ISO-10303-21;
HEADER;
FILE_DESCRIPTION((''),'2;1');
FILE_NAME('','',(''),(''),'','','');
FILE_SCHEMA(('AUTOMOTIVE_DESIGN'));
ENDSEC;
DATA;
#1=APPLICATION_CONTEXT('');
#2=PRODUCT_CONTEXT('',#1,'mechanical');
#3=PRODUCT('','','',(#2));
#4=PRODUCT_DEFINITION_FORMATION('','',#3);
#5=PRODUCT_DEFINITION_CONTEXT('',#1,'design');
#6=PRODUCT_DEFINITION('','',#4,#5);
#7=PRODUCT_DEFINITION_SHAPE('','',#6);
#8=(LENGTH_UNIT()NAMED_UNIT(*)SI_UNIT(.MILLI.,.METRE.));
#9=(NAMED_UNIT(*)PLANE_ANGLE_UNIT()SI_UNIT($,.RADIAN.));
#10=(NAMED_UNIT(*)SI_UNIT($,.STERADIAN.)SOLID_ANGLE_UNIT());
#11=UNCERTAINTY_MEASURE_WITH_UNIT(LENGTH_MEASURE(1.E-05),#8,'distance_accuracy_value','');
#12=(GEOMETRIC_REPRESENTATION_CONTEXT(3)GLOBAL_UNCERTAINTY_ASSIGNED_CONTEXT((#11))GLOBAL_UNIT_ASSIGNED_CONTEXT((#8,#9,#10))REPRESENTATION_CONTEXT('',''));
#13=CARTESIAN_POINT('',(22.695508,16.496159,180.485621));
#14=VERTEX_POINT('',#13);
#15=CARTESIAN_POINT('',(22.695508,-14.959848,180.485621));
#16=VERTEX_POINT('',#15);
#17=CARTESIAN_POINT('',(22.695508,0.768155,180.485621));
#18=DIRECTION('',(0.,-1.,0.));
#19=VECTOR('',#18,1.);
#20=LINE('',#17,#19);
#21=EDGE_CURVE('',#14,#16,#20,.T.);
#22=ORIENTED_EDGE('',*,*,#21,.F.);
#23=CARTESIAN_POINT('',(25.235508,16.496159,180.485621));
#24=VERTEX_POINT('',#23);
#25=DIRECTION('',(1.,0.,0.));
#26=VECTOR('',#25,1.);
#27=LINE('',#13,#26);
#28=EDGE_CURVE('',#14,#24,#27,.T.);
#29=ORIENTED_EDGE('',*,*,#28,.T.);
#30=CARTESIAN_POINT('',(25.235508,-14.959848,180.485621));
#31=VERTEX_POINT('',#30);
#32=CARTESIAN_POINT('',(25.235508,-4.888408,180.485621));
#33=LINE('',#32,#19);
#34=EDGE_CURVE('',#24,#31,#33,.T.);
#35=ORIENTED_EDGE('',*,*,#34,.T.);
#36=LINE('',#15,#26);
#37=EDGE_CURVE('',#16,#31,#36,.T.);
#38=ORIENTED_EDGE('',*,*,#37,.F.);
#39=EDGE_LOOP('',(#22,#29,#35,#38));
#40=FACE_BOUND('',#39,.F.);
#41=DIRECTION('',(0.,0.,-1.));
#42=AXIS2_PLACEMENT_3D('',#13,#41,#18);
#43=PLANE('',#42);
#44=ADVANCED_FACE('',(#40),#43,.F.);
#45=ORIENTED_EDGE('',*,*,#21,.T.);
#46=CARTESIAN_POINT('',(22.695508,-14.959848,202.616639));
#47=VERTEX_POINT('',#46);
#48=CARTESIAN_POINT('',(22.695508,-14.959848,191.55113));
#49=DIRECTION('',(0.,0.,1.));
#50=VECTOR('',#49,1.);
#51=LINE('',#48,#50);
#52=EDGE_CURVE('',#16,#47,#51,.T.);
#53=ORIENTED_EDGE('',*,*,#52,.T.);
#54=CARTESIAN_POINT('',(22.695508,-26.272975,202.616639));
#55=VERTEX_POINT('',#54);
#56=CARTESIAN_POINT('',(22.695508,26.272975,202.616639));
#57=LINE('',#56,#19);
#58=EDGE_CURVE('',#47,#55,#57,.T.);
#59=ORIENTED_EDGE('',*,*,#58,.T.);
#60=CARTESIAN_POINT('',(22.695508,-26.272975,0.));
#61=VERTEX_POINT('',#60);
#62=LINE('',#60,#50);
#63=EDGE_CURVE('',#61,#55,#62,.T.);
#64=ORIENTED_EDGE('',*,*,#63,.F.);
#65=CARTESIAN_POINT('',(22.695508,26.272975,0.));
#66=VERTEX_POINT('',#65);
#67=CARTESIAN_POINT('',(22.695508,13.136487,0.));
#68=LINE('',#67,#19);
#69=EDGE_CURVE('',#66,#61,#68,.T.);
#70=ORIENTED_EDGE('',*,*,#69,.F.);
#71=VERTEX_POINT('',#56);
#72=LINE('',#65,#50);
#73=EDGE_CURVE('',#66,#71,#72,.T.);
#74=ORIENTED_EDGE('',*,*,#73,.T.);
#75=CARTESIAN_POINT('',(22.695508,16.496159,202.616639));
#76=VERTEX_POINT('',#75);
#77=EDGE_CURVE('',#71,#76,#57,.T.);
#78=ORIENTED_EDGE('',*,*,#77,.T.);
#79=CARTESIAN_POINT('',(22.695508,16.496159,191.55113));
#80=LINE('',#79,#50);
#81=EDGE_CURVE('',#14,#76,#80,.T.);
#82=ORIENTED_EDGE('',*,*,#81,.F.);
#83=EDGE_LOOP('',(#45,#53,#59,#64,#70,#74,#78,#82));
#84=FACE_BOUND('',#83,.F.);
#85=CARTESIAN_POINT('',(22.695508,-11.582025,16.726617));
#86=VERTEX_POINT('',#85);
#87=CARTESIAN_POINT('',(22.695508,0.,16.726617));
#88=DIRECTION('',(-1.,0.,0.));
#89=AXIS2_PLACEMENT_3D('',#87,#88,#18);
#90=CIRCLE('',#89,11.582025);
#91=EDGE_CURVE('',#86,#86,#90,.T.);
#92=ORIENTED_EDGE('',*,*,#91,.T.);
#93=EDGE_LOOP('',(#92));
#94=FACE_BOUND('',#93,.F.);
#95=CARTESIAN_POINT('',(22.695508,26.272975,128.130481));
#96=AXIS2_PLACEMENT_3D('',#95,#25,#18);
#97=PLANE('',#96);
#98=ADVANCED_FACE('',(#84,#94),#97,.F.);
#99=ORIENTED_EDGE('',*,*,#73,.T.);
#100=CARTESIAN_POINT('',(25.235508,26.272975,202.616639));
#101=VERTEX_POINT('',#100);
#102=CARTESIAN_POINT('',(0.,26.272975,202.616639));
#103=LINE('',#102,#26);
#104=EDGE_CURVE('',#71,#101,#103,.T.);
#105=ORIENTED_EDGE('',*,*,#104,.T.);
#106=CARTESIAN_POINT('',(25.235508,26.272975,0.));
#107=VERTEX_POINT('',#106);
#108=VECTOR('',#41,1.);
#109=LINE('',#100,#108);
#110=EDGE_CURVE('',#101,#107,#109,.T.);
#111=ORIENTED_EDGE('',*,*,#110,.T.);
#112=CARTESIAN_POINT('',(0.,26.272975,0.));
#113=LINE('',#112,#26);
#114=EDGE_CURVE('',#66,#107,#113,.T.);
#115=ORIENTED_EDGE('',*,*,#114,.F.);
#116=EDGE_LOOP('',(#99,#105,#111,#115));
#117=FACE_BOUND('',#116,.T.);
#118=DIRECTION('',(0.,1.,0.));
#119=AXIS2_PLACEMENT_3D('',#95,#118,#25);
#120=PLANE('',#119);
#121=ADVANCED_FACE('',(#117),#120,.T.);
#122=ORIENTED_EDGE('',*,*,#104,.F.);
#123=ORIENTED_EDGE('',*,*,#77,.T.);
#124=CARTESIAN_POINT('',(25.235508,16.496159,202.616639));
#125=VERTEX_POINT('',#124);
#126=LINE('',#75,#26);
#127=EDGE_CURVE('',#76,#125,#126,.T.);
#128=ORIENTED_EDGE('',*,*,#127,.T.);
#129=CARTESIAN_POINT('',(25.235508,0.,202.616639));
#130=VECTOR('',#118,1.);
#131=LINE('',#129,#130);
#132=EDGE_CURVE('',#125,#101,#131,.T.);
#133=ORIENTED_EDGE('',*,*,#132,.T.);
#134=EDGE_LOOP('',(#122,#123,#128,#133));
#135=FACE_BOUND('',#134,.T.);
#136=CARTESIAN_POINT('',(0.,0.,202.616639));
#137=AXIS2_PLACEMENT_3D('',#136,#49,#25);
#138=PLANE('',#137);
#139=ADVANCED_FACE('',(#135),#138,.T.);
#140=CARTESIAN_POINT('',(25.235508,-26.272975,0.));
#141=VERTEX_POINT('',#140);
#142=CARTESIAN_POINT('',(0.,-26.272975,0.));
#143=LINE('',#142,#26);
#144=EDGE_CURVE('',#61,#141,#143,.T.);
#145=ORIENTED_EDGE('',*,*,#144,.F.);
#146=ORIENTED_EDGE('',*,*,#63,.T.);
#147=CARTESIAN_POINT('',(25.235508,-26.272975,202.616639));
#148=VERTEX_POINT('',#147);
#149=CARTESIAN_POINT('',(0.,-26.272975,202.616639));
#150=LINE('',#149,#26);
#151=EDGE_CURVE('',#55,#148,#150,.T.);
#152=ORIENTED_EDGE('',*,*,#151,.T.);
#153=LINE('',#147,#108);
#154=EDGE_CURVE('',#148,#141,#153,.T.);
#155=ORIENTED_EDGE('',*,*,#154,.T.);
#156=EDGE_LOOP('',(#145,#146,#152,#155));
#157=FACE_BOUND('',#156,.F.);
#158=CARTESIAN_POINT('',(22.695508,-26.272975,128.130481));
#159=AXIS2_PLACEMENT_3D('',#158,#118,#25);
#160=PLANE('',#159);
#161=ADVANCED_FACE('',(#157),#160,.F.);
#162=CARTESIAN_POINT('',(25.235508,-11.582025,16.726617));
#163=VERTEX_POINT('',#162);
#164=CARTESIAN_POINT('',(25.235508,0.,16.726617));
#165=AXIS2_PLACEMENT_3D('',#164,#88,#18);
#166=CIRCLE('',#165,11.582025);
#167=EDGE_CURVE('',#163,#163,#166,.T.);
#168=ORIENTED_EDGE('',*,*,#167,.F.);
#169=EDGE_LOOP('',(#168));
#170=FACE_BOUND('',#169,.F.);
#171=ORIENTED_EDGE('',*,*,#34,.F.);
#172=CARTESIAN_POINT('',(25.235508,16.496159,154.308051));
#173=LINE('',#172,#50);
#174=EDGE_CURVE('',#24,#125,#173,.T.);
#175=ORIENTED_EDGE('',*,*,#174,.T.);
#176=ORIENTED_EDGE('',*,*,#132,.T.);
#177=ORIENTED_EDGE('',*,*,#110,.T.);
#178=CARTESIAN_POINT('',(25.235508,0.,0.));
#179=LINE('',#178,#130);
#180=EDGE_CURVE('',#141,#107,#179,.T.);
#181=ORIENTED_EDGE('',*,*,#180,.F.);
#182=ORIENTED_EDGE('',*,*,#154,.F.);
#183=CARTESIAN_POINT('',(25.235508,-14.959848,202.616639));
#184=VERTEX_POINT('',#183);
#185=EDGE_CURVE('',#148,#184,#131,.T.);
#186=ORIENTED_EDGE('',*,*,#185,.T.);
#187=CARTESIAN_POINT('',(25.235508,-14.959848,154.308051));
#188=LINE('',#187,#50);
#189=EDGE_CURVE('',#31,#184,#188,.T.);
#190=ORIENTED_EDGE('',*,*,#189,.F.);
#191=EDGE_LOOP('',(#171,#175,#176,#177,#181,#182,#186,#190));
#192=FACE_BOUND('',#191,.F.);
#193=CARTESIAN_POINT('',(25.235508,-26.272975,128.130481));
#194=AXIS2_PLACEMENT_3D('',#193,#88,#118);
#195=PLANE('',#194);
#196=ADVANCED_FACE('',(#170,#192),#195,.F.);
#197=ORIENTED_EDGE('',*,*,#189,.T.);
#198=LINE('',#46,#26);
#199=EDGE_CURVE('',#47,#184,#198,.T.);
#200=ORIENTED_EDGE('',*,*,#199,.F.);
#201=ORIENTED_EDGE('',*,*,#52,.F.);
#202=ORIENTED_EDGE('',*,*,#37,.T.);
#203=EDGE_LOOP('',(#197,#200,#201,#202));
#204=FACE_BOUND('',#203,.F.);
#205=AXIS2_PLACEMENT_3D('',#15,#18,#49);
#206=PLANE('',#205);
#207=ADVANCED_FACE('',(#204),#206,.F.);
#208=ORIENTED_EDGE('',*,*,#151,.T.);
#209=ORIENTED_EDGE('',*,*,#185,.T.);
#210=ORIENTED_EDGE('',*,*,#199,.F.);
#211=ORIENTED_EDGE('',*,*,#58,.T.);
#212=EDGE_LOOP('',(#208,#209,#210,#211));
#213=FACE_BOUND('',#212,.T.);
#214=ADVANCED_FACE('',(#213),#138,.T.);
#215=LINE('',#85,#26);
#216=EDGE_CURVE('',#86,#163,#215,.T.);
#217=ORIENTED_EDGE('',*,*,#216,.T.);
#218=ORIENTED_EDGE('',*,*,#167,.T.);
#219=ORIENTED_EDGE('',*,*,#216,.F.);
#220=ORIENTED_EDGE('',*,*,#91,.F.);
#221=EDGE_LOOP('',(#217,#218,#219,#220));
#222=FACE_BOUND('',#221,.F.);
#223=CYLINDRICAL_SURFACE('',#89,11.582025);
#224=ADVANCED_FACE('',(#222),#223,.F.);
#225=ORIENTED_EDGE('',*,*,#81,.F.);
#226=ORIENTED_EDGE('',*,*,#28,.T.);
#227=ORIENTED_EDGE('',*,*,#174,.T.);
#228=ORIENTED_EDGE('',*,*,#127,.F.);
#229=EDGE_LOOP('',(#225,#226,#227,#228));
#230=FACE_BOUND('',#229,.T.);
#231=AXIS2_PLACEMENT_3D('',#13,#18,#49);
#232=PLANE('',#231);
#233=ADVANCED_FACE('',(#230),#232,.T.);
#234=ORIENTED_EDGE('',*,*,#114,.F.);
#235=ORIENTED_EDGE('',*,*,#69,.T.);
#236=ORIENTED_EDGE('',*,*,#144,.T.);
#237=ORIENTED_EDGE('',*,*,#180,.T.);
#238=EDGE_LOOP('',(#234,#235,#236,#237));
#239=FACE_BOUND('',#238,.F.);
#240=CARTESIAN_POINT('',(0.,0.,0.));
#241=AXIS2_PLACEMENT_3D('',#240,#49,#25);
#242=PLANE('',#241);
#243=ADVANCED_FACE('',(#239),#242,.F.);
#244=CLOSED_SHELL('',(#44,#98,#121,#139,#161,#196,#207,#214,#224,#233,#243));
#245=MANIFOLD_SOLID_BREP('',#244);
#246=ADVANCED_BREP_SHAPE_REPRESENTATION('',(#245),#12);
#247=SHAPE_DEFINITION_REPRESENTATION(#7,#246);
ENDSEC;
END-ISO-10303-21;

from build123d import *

# Parameters (mm, degrees)
F0_W      = 50.4710152745
F0_H      = 52.5459498167
F1_DEPTH  = 128.1304806471
F2_T      = -2.54
F4_DEPTH  = 87.9370719194
F5_DEPTH  = 92.566229403
F6_DEPTH  = 25.4
F7_DEPTH  = 25.4
F8_DEPTH  = 25.4
F9_DEPTH  = 74.4861587882
F10_W     = 31.4560076222
F10_H     = 22.1310183406
F11_DEPTH = 25.4
F12_R     = 11.5820249722
F13_DEPTH = 25.4


with BuildPart() as f1:
    # F0 (on Top) → F1 (new body)
    with BuildSketch(Plane.XY):
        Rectangle(F0_W, F0_H)
    extrude(amount=F1_DEPTH)

    # F2
    f2_openings = [f1.faces().sort_by_distance(p)[0] for p in [
        (0, 0, 128.130481),
    ]]
    offset(amount=F2_T, openings=f2_openings)

    # F3 (on face) → F4 (cut)
    with BuildSketch(Plane.XZ.offset(26.2729749084)):
        with BuildLine():
            add(Edge.make_bspline(
                [(0, 13.7362796813), (7.3372486719, 13.7362796813), (3.6686243359, 97.3400166258), (0, 180.9437535703), (-3.6686243359, 97.3400166258), (-7.3372486719, 13.7362796813), (0, 13.7362796813)],
                knots=[0, 0, 0, 2.0943951024, 2.0943951024, 4.1887902048, 4.1887902048, 6.2831853072, 6.2831853072, 6.2831853072], degree=2, weights=[1, 0.5, 1, 0.5, 1, 0.5, 1]))
        make_face()
    extrude(amount=-F4_DEPTH, mode=Mode.SUBTRACT)

    # F5 (cut): a face of the model
    f5_faces = [f1.faces().sort_by_distance(p)[0] for p in [
        (0, 23.7329749084, 126.7950663606),
    ]]
    extrude(f5_faces, amount=F5_DEPTH, mode=Mode.SUBTRACT)

    # F6 (cut): a face of the model
    f6_faces = [f1.faces().sort_by_distance(p)[0] for p in [
        (0, 23.7329749084, 126.7950663606),
    ]]
    extrude(f6_faces, amount=-F6_DEPTH, mode=Mode.SUBTRACT)

    # F7 (cut): a face of the model
    f7_faces = [f1.faces().sort_by_distance(p)[0] for p in [
        (0, 0, 2.54),
    ]]
    extrude(f7_faces, amount=-F7_DEPTH, mode=Mode.SUBTRACT)

    # F8 (cut): a face of the model
    f8_faces = [f1.faces().sort_by_distance(p)[0] for p in [
        (-22.6955076373, 0, 64.0652403235),
    ]]
    extrude(f8_faces, amount=-F8_DEPTH, mode=Mode.SUBTRACT)

    # F9 (add): a face of the model
    f9_faces = [f1.faces().sort_by_distance(p)[0] for p in [
        (23.9655076373, 0, 128.1304806471),
    ]]
    extrude(f9_faces, amount=F9_DEPTH)

    # F10 (on face) → F11 (cut)
    with BuildSketch(Plane(origin=(22.6955076373, 0, 0), x_dir=(0, -1, 0), z_dir=(-1, 0, 0))):
        with Locations((-0.7681553252, 191.551130265)):
            Rectangle(F10_W, F10_H)
    extrude(amount=-F11_DEPTH, mode=Mode.SUBTRACT)

    # F12 (on face) → F13 (cut)
    with BuildSketch(Plane(origin=(22.6955076373, 0, 0), x_dir=(0, -1, 0), z_dir=(-1, 0, 0))):
        with Locations((0, 16.72661677)):
            Circle(F12_R)
    extrude(amount=-F13_DEPTH, mode=Mode.SUBTRACT)


solid = f1.part
